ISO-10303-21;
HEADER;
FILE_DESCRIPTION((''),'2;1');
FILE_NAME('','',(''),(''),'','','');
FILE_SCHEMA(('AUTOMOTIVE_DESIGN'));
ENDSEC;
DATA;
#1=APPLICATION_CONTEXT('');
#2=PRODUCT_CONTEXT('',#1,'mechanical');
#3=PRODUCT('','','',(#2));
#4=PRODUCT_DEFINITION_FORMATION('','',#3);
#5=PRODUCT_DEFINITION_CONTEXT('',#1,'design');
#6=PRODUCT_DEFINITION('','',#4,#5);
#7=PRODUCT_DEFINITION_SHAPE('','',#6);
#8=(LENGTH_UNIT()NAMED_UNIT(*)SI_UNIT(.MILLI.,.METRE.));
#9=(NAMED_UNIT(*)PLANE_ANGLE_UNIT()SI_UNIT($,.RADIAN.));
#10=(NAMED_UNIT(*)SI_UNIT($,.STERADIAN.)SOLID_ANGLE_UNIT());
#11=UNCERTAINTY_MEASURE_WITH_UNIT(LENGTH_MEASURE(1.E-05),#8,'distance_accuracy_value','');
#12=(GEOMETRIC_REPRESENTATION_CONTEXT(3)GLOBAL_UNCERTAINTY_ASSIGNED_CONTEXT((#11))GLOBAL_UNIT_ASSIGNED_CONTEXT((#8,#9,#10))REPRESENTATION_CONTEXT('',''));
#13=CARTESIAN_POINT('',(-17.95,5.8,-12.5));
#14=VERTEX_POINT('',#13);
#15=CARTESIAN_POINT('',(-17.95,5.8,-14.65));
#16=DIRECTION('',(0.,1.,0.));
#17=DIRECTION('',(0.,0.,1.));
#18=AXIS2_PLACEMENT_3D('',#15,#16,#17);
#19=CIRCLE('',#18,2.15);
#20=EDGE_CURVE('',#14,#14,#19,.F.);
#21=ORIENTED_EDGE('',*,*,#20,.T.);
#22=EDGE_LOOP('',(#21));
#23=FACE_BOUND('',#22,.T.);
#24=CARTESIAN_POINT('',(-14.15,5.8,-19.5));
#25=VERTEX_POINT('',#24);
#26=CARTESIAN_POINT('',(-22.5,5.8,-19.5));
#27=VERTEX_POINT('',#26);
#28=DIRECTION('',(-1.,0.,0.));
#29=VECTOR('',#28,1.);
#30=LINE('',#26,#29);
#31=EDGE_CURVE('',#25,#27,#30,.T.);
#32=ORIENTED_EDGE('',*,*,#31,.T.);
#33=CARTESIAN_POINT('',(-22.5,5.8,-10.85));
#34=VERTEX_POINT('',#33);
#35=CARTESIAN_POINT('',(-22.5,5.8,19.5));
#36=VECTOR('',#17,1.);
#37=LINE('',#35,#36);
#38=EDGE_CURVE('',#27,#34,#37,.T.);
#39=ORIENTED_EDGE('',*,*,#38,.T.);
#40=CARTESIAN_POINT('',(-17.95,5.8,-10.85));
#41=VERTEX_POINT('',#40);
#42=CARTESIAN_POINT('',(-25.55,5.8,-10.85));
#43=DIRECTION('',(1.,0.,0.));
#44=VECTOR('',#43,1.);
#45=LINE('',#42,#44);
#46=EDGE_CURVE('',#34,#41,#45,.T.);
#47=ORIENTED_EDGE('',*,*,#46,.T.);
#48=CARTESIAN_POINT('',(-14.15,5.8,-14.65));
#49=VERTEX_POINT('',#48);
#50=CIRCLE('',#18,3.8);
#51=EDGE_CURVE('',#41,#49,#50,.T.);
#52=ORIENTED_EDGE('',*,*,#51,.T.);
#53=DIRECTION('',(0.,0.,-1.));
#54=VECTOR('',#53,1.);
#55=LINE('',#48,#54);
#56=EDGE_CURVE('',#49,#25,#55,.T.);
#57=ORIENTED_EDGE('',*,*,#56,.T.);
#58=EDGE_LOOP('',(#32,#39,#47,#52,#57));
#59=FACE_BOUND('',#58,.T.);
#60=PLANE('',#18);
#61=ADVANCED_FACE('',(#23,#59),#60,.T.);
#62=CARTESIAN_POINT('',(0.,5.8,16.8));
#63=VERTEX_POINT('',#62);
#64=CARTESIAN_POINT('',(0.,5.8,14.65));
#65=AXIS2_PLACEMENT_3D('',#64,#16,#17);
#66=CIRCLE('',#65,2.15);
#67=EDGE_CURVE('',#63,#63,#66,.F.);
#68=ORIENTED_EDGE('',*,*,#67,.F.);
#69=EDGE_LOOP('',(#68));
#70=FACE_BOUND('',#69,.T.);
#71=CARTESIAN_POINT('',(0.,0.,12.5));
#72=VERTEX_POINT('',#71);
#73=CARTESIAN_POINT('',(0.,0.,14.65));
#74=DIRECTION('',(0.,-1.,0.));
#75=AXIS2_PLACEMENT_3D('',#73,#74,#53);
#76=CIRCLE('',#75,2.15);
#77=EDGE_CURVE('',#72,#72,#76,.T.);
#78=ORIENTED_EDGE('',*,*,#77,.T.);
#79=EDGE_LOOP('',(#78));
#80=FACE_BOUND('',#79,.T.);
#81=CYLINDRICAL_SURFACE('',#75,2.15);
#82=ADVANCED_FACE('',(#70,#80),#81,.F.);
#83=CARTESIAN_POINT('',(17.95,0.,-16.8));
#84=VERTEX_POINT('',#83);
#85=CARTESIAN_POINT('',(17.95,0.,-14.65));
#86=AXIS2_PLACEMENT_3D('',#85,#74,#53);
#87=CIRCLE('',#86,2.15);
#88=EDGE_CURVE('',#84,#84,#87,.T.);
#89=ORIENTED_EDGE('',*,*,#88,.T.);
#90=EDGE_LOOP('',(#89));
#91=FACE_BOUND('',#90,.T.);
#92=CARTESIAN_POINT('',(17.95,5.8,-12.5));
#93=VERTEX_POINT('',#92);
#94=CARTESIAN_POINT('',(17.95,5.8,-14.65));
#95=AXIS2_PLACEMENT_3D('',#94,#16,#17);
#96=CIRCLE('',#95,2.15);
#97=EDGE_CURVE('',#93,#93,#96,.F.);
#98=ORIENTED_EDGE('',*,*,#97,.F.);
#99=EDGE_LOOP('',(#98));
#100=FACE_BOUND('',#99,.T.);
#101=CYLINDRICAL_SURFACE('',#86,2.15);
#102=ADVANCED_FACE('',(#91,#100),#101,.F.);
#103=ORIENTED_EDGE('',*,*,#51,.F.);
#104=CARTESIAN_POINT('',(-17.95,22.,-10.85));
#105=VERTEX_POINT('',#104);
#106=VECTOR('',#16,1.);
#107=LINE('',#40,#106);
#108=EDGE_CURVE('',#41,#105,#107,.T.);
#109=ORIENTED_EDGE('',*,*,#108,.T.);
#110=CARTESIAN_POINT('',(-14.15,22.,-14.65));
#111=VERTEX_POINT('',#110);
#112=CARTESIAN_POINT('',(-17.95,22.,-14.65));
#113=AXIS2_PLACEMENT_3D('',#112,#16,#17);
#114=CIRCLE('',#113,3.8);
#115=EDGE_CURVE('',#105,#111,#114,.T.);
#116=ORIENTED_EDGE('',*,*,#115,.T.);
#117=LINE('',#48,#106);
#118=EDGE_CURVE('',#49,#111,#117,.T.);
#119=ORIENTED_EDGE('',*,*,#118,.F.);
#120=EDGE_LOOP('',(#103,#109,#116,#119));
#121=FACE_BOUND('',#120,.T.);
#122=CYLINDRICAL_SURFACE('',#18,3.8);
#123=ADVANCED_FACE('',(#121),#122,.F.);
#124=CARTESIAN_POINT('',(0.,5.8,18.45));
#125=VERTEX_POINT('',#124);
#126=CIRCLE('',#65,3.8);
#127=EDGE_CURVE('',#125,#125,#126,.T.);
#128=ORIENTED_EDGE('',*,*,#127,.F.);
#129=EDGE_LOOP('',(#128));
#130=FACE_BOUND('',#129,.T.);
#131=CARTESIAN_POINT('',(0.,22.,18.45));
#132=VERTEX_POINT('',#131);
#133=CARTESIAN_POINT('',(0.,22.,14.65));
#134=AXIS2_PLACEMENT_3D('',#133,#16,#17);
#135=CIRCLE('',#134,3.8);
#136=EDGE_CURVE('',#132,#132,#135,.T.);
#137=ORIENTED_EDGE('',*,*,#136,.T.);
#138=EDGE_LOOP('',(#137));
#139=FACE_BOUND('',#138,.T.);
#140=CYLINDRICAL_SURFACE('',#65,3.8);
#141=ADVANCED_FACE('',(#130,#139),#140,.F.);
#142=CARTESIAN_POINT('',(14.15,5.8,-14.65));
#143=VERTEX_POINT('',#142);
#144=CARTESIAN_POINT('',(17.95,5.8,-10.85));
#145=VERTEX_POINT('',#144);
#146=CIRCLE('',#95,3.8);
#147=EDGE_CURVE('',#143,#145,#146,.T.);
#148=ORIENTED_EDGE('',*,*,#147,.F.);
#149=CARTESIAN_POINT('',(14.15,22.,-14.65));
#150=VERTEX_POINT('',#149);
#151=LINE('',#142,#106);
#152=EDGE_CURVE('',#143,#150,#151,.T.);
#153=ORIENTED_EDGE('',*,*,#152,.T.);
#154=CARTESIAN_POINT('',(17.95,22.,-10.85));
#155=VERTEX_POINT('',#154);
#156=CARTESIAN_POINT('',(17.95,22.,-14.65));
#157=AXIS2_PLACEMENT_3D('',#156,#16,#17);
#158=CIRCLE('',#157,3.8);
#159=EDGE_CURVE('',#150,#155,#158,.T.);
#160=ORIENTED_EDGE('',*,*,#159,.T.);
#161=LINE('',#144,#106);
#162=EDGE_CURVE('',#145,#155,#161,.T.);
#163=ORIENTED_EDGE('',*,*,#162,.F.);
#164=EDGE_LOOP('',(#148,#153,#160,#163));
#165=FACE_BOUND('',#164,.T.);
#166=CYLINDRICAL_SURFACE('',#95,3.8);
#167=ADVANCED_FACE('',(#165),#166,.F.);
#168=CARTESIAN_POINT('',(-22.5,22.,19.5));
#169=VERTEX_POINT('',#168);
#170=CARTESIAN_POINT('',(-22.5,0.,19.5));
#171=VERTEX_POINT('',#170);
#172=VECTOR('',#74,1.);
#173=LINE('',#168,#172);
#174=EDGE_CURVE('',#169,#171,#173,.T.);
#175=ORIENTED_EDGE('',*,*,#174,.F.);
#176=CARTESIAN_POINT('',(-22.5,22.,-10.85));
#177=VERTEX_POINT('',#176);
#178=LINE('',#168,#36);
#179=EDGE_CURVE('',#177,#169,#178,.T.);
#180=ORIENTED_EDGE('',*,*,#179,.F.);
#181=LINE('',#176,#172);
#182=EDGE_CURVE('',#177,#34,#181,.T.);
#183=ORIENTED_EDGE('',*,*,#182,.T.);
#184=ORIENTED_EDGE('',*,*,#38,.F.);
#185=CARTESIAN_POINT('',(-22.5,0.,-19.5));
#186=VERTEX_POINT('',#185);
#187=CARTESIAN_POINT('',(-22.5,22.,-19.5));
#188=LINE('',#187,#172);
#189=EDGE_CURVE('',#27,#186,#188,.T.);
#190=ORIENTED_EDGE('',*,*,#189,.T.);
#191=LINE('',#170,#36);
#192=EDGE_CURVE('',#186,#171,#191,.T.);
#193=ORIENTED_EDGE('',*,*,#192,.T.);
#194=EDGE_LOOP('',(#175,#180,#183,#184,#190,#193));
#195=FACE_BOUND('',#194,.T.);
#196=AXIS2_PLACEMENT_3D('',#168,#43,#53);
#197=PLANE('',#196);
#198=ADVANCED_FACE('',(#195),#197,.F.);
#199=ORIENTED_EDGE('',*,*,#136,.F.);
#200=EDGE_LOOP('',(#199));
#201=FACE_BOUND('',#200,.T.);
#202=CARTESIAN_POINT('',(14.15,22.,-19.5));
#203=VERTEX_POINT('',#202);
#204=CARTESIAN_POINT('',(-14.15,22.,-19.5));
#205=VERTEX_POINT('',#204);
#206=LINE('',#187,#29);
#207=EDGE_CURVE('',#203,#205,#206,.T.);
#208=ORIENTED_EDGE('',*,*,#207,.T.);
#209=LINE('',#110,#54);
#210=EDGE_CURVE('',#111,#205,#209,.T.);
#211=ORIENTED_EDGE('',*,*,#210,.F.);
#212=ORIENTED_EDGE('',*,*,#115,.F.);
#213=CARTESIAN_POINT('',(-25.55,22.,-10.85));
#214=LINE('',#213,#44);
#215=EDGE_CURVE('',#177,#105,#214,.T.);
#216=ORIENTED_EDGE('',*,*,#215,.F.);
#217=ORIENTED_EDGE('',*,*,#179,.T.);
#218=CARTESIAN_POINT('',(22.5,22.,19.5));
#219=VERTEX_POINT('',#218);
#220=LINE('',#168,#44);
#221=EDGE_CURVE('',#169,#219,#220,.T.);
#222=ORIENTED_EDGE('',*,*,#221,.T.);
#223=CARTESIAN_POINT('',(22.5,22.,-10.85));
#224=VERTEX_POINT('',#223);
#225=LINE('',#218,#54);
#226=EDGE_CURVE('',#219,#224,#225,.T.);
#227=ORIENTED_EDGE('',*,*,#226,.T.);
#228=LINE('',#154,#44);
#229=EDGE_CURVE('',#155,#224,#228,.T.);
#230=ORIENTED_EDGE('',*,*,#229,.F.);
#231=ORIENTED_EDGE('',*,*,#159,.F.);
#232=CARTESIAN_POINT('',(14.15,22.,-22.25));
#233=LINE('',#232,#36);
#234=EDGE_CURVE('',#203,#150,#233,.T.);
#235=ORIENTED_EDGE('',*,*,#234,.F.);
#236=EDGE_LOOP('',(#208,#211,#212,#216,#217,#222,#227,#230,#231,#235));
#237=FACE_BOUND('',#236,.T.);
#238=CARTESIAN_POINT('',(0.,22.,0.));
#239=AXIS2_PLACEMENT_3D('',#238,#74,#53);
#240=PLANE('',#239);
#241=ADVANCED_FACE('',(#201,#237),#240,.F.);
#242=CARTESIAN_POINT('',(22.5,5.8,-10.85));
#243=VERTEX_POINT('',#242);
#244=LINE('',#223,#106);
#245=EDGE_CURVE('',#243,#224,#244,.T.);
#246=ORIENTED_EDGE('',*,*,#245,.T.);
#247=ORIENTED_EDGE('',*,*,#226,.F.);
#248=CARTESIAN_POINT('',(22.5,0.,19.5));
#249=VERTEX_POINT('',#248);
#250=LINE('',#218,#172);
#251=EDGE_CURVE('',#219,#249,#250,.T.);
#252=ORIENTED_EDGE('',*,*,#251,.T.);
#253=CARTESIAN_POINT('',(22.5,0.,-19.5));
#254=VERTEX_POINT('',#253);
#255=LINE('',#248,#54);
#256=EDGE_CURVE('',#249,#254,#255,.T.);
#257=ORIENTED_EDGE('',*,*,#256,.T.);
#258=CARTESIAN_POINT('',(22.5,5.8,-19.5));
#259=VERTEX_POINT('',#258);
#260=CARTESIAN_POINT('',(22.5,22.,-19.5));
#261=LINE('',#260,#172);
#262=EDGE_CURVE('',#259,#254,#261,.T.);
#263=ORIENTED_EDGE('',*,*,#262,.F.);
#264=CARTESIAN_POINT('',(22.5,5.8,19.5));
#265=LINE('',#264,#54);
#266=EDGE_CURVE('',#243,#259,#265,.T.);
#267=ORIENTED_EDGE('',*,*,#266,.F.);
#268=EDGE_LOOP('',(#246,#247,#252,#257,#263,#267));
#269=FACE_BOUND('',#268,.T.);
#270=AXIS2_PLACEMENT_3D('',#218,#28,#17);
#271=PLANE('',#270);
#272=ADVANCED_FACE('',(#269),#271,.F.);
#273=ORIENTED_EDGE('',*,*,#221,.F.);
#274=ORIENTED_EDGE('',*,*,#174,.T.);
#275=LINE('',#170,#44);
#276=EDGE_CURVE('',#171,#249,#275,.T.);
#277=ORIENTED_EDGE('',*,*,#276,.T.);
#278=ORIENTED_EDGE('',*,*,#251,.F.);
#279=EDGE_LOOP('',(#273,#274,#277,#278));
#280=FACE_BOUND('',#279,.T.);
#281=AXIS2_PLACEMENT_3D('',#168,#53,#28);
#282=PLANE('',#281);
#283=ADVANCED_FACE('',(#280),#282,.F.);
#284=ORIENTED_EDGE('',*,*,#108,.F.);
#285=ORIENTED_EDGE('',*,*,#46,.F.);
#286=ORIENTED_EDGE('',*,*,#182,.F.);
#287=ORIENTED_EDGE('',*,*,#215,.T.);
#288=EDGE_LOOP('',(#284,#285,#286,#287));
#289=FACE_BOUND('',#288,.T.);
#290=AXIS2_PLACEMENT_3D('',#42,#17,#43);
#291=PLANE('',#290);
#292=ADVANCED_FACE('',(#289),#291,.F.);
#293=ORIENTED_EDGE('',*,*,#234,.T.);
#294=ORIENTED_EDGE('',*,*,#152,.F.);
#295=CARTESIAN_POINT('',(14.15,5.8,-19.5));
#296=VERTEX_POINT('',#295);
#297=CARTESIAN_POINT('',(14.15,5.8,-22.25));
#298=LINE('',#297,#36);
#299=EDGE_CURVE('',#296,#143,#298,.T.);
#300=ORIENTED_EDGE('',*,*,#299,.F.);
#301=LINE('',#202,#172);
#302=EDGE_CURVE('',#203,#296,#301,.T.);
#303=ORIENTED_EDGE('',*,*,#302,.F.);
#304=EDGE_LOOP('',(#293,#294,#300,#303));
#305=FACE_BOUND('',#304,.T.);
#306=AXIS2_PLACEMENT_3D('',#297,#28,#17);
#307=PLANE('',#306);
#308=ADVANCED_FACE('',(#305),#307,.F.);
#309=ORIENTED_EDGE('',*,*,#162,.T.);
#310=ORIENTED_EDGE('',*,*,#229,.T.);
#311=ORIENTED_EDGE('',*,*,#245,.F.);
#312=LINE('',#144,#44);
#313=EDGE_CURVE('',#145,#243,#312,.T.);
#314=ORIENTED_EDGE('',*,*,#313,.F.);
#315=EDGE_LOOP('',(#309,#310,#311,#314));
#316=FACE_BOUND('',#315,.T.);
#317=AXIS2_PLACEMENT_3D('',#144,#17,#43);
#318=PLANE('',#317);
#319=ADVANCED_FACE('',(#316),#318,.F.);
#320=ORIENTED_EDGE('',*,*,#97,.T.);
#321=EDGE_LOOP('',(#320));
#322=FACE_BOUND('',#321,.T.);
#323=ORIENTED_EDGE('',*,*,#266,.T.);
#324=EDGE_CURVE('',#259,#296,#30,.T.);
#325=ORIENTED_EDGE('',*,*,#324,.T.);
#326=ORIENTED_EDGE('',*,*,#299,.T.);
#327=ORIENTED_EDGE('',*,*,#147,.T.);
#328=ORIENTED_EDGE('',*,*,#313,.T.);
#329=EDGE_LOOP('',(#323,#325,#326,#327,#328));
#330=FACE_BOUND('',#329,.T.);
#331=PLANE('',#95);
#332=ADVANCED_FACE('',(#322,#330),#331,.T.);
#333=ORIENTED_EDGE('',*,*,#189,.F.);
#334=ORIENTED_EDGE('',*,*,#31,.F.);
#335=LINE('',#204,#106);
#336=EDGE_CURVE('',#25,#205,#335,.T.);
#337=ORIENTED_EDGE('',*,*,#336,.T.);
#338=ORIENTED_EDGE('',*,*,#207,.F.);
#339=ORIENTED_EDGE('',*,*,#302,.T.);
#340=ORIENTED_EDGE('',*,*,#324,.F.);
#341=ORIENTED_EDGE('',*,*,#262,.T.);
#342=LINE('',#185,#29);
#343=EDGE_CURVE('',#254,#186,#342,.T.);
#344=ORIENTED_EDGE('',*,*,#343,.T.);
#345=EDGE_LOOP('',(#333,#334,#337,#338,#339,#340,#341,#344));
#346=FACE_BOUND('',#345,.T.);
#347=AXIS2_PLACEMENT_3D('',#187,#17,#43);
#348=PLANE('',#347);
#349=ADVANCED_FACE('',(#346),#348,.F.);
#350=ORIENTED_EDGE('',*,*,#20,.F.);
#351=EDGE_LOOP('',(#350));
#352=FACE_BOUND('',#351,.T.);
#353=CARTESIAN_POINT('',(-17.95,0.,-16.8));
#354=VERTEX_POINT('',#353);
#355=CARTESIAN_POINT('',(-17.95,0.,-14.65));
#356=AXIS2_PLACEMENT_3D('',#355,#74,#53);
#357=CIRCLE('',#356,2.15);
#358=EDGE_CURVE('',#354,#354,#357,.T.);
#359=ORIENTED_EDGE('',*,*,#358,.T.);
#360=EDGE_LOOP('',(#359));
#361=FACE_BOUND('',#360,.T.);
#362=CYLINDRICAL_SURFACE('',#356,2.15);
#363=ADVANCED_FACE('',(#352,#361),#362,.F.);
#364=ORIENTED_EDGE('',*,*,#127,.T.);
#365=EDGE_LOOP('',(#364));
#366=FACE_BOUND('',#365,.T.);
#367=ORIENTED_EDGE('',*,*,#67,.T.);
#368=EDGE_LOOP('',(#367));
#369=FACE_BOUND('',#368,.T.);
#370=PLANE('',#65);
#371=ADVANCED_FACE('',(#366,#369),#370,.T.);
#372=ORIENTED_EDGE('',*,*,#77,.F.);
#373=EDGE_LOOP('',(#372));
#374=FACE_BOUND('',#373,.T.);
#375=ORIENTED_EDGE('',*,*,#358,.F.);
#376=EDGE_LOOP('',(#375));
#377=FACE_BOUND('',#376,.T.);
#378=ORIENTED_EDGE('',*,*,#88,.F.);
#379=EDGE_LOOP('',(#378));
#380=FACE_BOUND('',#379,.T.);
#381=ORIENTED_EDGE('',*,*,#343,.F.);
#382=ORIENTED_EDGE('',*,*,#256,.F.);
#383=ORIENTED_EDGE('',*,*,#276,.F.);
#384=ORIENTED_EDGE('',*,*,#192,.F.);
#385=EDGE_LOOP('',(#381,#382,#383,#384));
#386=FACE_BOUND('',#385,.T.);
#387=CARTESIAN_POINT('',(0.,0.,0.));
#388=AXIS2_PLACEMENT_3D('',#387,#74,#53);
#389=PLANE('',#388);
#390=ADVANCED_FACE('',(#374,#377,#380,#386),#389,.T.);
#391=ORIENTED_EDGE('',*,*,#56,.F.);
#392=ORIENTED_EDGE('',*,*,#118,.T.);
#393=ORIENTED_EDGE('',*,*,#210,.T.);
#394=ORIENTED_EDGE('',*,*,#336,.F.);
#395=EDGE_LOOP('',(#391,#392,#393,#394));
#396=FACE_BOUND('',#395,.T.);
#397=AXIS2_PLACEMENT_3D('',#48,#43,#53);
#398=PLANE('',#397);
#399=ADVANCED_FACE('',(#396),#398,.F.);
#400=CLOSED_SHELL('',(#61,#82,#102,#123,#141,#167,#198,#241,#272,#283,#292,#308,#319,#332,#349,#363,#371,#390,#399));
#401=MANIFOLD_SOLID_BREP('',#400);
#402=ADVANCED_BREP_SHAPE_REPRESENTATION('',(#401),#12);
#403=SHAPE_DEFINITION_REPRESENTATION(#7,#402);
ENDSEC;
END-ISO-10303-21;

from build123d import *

# Parameters (mm, degrees)
SKETCH1_W            = 45
SKETCH1_H            = 39
BOSS_EXTRUDE1_DEPTH  = 22
M4_CLEARANCE_HOLE1_D = 4.3
SKETCH5_R            = 3.8
CUT_EXTRUDE1_DEPTH   = 16.2


with BuildPart() as part:
    # Sketch1 → Boss-Extrude1 (new body)
    with BuildSketch(Plane(origin=(0, 0, 0), x_dir=(1, 0, 0), z_dir=(0, 1, 0))):
        Rectangle(SKETCH1_W, SKETCH1_H)
    extrude(amount=BOSS_EXTRUDE1_DEPTH)

    # M4 Clearance Hole1 (through all)
    with Locations(Plane(origin=(0, 0, 0), x_dir=(-1, 0, 0), z_dir=(0, -1, 0))):
        with Locations((0, -14.65), (-17.95, 14.65), (17.95, 14.65)):
            Hole(M4_CLEARANCE_HOLE1_D / 2)

    # Sketch5 → Cut-Extrude1 (cut)
    with BuildSketch(Plane(origin=(0, 22, 0), x_dir=(1, 0, 0), z_dir=(0, 1, 0))):
        with Locations(Location((0, -14.65, 0), (0, 0, 270))):
            Circle(SKETCH5_R)
        with BuildLine():
            Line((-14.15, 14.65), (-14.15, 22.25))
            Line((-14.15, 22.25), (-25.55, 22.25))
            Line((-25.55, 22.25), (-25.55, 10.85))
            Line((-25.55, 10.85), (-17.95, 10.85))
            ThreePointArc((-17.95, 10.85), (-15.262994231, 11.962994231), (-14.15, 14.65))
        make_face()
        with BuildLine():
            Line((17.95, 10.85), (25.55, 10.85))
            Line((25.55, 10.85), (25.55, 22.25))
            Line((25.55, 22.25), (14.15, 22.25))
            Line((14.15, 22.25), (14.15, 14.65))
            ThreePointArc((14.15, 14.65), (15.262994231, 11.962994231), (17.95, 10.85))
        make_face()
    extrude(amount=-CUT_EXTRUDE1_DEPTH, mode=Mode.SUBTRACT)


solid = part.part
